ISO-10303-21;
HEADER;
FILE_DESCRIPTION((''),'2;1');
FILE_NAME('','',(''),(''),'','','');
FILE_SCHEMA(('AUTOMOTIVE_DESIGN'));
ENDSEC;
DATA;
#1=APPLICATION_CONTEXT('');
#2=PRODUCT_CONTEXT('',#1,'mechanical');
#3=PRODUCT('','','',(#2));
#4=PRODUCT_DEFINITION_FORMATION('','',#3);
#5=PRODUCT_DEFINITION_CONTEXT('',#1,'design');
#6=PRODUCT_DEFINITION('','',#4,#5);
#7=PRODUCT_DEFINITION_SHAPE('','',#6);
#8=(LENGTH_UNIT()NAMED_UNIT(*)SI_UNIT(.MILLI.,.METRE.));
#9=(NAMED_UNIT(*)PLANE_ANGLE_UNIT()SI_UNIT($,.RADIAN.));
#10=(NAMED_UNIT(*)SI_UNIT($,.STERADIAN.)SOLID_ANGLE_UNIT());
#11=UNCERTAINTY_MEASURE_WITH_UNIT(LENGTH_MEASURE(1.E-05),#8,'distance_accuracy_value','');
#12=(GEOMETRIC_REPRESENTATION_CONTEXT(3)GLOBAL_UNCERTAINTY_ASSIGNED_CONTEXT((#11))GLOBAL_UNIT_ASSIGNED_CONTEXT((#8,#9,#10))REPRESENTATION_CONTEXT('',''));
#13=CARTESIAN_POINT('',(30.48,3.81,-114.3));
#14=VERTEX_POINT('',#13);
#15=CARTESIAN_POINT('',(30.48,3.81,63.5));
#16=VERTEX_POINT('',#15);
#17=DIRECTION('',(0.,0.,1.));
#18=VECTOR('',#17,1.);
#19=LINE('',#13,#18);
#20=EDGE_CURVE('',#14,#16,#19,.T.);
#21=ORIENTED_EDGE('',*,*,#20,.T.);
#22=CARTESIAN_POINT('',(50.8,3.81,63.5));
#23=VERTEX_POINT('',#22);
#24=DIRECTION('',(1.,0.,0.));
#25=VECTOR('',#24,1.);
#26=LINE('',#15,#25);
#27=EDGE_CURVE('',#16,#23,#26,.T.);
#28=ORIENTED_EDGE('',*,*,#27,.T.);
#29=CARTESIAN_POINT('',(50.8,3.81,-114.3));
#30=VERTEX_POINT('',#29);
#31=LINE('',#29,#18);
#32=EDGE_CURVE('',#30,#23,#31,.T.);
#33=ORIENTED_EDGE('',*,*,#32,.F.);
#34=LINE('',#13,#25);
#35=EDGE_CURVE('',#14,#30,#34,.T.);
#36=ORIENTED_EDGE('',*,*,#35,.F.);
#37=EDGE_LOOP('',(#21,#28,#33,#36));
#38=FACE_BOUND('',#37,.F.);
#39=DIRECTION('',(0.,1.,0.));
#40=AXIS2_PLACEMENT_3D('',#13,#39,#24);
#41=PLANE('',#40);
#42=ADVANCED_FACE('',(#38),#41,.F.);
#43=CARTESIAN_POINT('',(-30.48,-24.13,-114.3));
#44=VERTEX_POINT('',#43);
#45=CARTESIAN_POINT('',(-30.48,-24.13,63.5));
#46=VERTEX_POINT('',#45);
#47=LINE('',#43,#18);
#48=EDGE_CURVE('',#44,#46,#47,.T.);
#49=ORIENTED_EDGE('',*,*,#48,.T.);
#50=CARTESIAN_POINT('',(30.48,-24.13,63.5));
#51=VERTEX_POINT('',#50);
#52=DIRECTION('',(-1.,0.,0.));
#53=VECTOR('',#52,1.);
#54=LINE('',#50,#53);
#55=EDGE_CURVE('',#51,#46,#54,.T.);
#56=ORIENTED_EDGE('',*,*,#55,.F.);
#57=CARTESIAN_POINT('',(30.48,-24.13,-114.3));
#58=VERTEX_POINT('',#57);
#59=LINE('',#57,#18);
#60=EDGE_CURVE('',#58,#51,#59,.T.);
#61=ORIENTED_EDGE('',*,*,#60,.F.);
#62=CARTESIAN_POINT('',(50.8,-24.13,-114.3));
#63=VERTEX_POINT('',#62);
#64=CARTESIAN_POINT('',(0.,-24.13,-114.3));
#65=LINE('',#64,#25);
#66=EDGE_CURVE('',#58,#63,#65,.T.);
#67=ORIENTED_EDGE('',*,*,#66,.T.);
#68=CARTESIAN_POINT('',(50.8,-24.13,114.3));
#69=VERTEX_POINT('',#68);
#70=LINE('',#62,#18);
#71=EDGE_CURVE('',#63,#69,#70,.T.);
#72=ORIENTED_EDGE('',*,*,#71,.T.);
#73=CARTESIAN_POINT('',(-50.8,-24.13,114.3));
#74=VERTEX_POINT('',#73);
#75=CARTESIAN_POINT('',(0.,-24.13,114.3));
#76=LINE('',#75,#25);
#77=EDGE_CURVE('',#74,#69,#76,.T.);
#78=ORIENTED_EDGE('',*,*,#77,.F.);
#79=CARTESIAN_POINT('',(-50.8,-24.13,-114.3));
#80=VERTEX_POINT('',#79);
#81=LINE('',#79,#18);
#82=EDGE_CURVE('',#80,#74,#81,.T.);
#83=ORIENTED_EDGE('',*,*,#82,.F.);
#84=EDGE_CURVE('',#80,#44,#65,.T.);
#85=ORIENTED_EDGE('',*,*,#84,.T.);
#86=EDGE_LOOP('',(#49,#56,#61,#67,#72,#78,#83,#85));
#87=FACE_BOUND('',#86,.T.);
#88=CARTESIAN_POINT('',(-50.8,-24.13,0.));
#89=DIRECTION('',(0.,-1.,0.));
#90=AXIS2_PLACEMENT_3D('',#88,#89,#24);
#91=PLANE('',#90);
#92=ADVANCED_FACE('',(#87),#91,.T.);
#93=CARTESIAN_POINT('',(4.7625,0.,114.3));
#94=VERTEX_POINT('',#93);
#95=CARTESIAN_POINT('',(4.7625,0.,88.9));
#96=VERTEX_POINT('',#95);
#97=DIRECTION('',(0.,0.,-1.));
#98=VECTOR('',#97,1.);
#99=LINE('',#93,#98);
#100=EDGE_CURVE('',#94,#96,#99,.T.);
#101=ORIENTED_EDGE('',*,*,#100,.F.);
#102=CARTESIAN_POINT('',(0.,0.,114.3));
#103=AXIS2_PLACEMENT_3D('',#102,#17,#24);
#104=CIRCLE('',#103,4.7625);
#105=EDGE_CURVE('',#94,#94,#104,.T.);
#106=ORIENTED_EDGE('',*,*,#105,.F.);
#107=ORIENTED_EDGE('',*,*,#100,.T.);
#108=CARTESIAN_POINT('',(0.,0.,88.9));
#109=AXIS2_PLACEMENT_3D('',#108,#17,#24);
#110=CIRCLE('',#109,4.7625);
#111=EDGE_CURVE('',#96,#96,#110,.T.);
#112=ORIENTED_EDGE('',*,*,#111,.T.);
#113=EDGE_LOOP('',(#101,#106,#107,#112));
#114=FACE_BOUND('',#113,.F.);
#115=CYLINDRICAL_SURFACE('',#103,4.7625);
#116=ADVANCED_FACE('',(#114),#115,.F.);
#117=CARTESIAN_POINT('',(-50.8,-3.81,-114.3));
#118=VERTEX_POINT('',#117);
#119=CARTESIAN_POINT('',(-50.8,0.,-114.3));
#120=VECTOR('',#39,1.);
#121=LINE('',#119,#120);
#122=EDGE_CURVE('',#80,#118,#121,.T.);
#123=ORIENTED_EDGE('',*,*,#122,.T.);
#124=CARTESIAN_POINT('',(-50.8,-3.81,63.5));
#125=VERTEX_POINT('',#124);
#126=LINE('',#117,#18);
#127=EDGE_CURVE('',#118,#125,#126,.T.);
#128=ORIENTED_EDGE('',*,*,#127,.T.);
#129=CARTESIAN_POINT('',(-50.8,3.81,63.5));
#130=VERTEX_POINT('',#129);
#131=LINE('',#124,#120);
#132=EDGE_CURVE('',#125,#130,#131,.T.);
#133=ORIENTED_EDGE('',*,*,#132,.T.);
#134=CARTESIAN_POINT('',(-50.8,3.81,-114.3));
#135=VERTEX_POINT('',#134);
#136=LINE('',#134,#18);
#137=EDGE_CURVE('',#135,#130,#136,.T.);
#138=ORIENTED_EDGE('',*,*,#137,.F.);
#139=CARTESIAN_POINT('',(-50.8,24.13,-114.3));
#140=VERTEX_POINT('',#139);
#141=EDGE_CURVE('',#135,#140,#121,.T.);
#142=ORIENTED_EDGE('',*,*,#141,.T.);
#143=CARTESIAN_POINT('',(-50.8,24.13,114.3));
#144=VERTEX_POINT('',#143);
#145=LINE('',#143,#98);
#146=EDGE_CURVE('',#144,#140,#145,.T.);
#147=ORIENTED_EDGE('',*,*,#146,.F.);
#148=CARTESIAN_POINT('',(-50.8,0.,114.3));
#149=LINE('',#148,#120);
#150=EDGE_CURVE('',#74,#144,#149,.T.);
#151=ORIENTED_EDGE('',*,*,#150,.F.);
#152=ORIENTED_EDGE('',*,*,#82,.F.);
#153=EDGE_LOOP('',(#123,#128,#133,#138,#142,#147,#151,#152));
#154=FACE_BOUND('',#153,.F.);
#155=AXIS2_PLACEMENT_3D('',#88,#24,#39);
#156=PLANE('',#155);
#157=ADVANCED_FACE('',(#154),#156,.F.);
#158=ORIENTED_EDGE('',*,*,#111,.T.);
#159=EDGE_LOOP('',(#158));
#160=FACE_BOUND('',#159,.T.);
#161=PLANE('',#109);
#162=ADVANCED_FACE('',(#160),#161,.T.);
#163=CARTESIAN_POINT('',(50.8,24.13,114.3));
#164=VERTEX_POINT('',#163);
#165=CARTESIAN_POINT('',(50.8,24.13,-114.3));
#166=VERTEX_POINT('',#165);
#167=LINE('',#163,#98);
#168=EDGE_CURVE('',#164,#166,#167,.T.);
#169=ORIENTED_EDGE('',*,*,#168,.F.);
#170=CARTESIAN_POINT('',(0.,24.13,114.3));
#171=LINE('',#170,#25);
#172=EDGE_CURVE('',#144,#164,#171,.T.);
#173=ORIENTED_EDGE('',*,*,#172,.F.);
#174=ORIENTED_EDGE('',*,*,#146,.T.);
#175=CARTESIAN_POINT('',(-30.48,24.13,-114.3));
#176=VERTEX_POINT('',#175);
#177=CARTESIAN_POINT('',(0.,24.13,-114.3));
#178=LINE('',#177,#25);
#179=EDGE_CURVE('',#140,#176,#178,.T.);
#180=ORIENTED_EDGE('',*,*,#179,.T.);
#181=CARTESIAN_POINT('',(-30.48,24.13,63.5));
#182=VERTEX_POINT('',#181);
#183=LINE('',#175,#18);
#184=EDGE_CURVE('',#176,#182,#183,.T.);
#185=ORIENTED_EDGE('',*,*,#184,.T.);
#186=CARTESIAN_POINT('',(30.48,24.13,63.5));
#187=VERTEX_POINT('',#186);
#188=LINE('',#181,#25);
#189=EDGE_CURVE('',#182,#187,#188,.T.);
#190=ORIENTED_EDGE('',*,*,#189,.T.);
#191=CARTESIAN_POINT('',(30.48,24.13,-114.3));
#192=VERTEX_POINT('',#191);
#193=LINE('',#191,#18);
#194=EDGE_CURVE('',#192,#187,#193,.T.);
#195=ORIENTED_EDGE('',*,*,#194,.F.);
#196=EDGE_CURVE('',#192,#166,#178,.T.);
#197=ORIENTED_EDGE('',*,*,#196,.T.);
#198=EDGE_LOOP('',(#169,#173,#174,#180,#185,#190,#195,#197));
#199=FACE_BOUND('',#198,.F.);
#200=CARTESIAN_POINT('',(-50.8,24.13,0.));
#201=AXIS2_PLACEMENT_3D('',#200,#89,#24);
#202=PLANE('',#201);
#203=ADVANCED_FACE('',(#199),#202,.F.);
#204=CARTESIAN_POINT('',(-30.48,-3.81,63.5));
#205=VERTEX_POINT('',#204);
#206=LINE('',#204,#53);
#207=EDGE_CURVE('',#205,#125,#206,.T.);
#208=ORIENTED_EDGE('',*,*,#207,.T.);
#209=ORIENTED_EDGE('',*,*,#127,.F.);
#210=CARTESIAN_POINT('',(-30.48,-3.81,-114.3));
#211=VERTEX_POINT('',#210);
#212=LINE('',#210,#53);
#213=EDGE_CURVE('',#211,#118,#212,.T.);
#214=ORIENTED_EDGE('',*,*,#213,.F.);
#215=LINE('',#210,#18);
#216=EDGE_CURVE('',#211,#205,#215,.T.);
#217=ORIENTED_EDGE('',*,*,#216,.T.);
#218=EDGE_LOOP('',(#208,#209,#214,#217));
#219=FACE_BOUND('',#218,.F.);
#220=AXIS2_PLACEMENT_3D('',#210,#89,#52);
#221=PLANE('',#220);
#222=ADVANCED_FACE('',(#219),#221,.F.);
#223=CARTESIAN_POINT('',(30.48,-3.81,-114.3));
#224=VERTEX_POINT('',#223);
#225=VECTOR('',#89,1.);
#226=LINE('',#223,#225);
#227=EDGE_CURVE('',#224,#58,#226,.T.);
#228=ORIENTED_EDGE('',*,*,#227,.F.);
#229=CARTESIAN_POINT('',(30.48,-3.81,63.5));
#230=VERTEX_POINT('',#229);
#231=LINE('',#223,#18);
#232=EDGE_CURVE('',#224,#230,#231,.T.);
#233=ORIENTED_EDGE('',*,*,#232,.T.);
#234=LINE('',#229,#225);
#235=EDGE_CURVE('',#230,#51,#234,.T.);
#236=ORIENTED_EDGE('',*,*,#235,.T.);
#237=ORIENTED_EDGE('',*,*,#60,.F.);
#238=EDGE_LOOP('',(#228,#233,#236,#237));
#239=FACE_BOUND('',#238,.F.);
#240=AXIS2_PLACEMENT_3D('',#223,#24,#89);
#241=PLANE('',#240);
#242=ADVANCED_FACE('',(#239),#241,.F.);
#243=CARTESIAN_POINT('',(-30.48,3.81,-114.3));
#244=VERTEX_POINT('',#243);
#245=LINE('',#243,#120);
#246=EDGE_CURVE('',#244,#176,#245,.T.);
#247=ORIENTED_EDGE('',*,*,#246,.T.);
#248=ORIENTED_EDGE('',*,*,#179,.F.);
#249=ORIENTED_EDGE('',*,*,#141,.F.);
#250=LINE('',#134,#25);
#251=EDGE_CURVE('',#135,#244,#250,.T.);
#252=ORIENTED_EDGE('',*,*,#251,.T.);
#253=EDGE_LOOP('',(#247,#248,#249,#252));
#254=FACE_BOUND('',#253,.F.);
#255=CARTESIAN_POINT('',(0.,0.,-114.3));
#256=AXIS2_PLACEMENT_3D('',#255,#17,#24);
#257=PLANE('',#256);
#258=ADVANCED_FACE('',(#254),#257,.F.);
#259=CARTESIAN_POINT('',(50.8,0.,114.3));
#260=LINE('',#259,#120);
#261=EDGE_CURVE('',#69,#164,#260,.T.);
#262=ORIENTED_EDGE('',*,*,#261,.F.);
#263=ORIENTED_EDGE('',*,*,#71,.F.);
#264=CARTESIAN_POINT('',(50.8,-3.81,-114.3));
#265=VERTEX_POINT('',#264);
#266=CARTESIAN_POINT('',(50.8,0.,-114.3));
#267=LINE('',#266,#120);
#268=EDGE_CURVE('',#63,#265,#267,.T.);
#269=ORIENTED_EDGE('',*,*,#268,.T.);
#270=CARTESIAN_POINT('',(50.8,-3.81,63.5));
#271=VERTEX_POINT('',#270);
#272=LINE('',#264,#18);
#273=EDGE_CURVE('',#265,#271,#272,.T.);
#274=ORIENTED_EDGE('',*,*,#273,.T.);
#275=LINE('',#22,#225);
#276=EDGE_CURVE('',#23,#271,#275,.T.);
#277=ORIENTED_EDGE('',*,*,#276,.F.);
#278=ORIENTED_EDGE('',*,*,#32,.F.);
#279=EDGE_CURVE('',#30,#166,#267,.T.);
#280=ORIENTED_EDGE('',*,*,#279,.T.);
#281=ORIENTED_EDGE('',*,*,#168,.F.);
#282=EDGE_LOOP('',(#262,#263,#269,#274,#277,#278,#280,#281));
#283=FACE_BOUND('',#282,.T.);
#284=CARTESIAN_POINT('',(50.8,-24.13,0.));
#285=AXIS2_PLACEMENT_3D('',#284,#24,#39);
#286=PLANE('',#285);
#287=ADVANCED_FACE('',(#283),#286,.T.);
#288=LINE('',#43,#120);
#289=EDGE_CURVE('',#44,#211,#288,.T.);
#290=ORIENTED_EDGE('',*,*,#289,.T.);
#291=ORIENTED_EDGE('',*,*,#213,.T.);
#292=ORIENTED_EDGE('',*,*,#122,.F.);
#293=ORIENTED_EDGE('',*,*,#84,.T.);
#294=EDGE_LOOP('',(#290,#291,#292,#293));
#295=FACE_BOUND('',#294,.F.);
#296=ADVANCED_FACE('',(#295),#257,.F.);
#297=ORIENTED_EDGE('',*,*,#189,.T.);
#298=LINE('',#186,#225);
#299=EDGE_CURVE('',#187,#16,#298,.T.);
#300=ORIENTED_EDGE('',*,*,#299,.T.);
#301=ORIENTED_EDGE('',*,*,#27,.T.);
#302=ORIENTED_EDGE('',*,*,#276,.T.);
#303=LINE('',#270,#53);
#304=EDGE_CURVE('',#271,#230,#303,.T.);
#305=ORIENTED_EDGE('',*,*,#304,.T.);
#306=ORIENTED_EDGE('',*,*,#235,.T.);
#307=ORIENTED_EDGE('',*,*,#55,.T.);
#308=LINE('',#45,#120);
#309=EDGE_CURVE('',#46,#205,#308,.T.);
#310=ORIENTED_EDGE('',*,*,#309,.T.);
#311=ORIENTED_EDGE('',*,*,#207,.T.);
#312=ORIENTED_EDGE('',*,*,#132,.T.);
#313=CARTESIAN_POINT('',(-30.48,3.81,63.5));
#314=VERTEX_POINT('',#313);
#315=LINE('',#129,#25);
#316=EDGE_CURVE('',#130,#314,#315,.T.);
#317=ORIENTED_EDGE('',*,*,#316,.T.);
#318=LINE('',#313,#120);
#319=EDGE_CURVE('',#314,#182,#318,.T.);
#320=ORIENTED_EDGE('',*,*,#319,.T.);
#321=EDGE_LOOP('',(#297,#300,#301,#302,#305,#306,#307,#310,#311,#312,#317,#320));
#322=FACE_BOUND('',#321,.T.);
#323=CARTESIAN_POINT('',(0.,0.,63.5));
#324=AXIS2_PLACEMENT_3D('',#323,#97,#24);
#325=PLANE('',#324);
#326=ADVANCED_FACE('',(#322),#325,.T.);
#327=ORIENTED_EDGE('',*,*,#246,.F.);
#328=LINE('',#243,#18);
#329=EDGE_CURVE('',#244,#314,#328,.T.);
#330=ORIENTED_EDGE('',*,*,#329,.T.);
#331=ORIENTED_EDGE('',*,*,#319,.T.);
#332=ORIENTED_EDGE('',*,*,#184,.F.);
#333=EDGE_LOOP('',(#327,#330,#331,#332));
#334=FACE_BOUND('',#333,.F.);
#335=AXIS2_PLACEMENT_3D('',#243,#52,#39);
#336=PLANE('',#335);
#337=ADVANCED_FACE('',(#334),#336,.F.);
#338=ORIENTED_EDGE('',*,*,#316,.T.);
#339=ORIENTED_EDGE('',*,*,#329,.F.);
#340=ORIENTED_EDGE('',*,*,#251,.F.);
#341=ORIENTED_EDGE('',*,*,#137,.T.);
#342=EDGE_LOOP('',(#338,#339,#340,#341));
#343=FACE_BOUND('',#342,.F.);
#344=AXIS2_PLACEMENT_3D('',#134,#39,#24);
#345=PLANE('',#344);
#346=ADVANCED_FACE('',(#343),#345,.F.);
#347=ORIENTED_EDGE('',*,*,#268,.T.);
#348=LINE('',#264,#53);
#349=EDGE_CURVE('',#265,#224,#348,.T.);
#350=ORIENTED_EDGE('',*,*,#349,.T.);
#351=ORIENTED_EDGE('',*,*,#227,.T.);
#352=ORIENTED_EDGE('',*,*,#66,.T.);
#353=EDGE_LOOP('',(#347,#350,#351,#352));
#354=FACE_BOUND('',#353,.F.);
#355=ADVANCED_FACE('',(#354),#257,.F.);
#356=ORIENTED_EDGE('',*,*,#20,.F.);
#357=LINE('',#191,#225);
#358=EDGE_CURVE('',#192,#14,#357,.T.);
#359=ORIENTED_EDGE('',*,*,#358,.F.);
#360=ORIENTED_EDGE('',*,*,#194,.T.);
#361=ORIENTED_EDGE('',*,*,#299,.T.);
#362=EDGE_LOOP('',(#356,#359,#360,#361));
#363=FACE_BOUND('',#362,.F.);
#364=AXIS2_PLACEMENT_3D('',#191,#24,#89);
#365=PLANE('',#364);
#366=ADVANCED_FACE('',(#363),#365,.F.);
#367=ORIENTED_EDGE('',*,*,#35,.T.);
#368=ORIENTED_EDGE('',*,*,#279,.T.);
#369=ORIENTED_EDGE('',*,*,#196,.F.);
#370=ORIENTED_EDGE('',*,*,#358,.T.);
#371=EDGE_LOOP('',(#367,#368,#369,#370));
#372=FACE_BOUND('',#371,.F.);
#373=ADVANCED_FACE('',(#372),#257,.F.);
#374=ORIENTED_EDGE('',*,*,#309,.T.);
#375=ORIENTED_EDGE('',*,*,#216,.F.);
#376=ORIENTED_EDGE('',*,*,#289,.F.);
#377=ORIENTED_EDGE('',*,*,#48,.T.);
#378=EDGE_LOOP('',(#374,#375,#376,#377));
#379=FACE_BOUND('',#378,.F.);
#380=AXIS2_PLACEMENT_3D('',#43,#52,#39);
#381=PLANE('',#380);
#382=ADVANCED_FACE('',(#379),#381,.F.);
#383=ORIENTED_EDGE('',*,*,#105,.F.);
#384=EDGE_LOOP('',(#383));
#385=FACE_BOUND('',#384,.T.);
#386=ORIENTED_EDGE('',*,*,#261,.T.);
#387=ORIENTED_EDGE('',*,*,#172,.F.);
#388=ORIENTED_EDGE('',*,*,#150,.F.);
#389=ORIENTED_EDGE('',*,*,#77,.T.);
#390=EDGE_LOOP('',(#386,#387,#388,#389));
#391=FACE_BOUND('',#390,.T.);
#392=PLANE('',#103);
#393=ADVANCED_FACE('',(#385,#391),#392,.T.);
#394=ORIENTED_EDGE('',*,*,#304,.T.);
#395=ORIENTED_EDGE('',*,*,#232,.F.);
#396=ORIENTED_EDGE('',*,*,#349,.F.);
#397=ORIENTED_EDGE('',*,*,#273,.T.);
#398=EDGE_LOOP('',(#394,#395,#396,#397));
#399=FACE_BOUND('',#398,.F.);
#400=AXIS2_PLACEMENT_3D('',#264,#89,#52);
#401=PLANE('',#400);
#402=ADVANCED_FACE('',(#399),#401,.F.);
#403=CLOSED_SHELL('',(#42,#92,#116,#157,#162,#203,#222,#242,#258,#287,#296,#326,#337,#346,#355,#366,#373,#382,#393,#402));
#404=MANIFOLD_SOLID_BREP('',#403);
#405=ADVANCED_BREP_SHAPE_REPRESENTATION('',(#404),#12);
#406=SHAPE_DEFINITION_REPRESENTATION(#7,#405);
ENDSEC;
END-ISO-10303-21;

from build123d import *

# Parameters (mm, degrees)
F0_W     = 101.6
F0_H     = 48.26
F1_DEPTH = 114.3
F3_DEPTH = 177.8
F4_R     = 4.7625
F5_DEPTH = 25.4


with BuildPart() as f1:
    # F0 (on Top) → F1 (new body, symmetric)
    with BuildSketch(Plane.XY):
        Rectangle(F0_W, F0_H)
    extrude(amount=F1_DEPTH, both=True)

    # F2 (on face) → F3 (cut)
    with BuildSketch(Plane(origin=(0, 0, -114.3), x_dir=(1, 0, 0), z_dir=(0, 0, -1))):
        Polygon((30.48, 24.13), (-30.48, 24.13), (-30.48, 3.81), (-50.8, 3.81), (-50.8, -3.81), (-30.48, -3.81), (-30.48, -24.13), (30.48, -24.13), (30.48, -3.81), (50.8, -3.81), (50.8, 3.81), (30.48, 3.81), align=None)
    extrude(amount=-F3_DEPTH, mode=Mode.SUBTRACT)

    # F4 (on face) → F5 (cut)
    with BuildSketch(Plane.XY.offset(114.3)):
        Circle(F4_R)
    extrude(amount=-F5_DEPTH, mode=Mode.SUBTRACT)


solid = f1.part
